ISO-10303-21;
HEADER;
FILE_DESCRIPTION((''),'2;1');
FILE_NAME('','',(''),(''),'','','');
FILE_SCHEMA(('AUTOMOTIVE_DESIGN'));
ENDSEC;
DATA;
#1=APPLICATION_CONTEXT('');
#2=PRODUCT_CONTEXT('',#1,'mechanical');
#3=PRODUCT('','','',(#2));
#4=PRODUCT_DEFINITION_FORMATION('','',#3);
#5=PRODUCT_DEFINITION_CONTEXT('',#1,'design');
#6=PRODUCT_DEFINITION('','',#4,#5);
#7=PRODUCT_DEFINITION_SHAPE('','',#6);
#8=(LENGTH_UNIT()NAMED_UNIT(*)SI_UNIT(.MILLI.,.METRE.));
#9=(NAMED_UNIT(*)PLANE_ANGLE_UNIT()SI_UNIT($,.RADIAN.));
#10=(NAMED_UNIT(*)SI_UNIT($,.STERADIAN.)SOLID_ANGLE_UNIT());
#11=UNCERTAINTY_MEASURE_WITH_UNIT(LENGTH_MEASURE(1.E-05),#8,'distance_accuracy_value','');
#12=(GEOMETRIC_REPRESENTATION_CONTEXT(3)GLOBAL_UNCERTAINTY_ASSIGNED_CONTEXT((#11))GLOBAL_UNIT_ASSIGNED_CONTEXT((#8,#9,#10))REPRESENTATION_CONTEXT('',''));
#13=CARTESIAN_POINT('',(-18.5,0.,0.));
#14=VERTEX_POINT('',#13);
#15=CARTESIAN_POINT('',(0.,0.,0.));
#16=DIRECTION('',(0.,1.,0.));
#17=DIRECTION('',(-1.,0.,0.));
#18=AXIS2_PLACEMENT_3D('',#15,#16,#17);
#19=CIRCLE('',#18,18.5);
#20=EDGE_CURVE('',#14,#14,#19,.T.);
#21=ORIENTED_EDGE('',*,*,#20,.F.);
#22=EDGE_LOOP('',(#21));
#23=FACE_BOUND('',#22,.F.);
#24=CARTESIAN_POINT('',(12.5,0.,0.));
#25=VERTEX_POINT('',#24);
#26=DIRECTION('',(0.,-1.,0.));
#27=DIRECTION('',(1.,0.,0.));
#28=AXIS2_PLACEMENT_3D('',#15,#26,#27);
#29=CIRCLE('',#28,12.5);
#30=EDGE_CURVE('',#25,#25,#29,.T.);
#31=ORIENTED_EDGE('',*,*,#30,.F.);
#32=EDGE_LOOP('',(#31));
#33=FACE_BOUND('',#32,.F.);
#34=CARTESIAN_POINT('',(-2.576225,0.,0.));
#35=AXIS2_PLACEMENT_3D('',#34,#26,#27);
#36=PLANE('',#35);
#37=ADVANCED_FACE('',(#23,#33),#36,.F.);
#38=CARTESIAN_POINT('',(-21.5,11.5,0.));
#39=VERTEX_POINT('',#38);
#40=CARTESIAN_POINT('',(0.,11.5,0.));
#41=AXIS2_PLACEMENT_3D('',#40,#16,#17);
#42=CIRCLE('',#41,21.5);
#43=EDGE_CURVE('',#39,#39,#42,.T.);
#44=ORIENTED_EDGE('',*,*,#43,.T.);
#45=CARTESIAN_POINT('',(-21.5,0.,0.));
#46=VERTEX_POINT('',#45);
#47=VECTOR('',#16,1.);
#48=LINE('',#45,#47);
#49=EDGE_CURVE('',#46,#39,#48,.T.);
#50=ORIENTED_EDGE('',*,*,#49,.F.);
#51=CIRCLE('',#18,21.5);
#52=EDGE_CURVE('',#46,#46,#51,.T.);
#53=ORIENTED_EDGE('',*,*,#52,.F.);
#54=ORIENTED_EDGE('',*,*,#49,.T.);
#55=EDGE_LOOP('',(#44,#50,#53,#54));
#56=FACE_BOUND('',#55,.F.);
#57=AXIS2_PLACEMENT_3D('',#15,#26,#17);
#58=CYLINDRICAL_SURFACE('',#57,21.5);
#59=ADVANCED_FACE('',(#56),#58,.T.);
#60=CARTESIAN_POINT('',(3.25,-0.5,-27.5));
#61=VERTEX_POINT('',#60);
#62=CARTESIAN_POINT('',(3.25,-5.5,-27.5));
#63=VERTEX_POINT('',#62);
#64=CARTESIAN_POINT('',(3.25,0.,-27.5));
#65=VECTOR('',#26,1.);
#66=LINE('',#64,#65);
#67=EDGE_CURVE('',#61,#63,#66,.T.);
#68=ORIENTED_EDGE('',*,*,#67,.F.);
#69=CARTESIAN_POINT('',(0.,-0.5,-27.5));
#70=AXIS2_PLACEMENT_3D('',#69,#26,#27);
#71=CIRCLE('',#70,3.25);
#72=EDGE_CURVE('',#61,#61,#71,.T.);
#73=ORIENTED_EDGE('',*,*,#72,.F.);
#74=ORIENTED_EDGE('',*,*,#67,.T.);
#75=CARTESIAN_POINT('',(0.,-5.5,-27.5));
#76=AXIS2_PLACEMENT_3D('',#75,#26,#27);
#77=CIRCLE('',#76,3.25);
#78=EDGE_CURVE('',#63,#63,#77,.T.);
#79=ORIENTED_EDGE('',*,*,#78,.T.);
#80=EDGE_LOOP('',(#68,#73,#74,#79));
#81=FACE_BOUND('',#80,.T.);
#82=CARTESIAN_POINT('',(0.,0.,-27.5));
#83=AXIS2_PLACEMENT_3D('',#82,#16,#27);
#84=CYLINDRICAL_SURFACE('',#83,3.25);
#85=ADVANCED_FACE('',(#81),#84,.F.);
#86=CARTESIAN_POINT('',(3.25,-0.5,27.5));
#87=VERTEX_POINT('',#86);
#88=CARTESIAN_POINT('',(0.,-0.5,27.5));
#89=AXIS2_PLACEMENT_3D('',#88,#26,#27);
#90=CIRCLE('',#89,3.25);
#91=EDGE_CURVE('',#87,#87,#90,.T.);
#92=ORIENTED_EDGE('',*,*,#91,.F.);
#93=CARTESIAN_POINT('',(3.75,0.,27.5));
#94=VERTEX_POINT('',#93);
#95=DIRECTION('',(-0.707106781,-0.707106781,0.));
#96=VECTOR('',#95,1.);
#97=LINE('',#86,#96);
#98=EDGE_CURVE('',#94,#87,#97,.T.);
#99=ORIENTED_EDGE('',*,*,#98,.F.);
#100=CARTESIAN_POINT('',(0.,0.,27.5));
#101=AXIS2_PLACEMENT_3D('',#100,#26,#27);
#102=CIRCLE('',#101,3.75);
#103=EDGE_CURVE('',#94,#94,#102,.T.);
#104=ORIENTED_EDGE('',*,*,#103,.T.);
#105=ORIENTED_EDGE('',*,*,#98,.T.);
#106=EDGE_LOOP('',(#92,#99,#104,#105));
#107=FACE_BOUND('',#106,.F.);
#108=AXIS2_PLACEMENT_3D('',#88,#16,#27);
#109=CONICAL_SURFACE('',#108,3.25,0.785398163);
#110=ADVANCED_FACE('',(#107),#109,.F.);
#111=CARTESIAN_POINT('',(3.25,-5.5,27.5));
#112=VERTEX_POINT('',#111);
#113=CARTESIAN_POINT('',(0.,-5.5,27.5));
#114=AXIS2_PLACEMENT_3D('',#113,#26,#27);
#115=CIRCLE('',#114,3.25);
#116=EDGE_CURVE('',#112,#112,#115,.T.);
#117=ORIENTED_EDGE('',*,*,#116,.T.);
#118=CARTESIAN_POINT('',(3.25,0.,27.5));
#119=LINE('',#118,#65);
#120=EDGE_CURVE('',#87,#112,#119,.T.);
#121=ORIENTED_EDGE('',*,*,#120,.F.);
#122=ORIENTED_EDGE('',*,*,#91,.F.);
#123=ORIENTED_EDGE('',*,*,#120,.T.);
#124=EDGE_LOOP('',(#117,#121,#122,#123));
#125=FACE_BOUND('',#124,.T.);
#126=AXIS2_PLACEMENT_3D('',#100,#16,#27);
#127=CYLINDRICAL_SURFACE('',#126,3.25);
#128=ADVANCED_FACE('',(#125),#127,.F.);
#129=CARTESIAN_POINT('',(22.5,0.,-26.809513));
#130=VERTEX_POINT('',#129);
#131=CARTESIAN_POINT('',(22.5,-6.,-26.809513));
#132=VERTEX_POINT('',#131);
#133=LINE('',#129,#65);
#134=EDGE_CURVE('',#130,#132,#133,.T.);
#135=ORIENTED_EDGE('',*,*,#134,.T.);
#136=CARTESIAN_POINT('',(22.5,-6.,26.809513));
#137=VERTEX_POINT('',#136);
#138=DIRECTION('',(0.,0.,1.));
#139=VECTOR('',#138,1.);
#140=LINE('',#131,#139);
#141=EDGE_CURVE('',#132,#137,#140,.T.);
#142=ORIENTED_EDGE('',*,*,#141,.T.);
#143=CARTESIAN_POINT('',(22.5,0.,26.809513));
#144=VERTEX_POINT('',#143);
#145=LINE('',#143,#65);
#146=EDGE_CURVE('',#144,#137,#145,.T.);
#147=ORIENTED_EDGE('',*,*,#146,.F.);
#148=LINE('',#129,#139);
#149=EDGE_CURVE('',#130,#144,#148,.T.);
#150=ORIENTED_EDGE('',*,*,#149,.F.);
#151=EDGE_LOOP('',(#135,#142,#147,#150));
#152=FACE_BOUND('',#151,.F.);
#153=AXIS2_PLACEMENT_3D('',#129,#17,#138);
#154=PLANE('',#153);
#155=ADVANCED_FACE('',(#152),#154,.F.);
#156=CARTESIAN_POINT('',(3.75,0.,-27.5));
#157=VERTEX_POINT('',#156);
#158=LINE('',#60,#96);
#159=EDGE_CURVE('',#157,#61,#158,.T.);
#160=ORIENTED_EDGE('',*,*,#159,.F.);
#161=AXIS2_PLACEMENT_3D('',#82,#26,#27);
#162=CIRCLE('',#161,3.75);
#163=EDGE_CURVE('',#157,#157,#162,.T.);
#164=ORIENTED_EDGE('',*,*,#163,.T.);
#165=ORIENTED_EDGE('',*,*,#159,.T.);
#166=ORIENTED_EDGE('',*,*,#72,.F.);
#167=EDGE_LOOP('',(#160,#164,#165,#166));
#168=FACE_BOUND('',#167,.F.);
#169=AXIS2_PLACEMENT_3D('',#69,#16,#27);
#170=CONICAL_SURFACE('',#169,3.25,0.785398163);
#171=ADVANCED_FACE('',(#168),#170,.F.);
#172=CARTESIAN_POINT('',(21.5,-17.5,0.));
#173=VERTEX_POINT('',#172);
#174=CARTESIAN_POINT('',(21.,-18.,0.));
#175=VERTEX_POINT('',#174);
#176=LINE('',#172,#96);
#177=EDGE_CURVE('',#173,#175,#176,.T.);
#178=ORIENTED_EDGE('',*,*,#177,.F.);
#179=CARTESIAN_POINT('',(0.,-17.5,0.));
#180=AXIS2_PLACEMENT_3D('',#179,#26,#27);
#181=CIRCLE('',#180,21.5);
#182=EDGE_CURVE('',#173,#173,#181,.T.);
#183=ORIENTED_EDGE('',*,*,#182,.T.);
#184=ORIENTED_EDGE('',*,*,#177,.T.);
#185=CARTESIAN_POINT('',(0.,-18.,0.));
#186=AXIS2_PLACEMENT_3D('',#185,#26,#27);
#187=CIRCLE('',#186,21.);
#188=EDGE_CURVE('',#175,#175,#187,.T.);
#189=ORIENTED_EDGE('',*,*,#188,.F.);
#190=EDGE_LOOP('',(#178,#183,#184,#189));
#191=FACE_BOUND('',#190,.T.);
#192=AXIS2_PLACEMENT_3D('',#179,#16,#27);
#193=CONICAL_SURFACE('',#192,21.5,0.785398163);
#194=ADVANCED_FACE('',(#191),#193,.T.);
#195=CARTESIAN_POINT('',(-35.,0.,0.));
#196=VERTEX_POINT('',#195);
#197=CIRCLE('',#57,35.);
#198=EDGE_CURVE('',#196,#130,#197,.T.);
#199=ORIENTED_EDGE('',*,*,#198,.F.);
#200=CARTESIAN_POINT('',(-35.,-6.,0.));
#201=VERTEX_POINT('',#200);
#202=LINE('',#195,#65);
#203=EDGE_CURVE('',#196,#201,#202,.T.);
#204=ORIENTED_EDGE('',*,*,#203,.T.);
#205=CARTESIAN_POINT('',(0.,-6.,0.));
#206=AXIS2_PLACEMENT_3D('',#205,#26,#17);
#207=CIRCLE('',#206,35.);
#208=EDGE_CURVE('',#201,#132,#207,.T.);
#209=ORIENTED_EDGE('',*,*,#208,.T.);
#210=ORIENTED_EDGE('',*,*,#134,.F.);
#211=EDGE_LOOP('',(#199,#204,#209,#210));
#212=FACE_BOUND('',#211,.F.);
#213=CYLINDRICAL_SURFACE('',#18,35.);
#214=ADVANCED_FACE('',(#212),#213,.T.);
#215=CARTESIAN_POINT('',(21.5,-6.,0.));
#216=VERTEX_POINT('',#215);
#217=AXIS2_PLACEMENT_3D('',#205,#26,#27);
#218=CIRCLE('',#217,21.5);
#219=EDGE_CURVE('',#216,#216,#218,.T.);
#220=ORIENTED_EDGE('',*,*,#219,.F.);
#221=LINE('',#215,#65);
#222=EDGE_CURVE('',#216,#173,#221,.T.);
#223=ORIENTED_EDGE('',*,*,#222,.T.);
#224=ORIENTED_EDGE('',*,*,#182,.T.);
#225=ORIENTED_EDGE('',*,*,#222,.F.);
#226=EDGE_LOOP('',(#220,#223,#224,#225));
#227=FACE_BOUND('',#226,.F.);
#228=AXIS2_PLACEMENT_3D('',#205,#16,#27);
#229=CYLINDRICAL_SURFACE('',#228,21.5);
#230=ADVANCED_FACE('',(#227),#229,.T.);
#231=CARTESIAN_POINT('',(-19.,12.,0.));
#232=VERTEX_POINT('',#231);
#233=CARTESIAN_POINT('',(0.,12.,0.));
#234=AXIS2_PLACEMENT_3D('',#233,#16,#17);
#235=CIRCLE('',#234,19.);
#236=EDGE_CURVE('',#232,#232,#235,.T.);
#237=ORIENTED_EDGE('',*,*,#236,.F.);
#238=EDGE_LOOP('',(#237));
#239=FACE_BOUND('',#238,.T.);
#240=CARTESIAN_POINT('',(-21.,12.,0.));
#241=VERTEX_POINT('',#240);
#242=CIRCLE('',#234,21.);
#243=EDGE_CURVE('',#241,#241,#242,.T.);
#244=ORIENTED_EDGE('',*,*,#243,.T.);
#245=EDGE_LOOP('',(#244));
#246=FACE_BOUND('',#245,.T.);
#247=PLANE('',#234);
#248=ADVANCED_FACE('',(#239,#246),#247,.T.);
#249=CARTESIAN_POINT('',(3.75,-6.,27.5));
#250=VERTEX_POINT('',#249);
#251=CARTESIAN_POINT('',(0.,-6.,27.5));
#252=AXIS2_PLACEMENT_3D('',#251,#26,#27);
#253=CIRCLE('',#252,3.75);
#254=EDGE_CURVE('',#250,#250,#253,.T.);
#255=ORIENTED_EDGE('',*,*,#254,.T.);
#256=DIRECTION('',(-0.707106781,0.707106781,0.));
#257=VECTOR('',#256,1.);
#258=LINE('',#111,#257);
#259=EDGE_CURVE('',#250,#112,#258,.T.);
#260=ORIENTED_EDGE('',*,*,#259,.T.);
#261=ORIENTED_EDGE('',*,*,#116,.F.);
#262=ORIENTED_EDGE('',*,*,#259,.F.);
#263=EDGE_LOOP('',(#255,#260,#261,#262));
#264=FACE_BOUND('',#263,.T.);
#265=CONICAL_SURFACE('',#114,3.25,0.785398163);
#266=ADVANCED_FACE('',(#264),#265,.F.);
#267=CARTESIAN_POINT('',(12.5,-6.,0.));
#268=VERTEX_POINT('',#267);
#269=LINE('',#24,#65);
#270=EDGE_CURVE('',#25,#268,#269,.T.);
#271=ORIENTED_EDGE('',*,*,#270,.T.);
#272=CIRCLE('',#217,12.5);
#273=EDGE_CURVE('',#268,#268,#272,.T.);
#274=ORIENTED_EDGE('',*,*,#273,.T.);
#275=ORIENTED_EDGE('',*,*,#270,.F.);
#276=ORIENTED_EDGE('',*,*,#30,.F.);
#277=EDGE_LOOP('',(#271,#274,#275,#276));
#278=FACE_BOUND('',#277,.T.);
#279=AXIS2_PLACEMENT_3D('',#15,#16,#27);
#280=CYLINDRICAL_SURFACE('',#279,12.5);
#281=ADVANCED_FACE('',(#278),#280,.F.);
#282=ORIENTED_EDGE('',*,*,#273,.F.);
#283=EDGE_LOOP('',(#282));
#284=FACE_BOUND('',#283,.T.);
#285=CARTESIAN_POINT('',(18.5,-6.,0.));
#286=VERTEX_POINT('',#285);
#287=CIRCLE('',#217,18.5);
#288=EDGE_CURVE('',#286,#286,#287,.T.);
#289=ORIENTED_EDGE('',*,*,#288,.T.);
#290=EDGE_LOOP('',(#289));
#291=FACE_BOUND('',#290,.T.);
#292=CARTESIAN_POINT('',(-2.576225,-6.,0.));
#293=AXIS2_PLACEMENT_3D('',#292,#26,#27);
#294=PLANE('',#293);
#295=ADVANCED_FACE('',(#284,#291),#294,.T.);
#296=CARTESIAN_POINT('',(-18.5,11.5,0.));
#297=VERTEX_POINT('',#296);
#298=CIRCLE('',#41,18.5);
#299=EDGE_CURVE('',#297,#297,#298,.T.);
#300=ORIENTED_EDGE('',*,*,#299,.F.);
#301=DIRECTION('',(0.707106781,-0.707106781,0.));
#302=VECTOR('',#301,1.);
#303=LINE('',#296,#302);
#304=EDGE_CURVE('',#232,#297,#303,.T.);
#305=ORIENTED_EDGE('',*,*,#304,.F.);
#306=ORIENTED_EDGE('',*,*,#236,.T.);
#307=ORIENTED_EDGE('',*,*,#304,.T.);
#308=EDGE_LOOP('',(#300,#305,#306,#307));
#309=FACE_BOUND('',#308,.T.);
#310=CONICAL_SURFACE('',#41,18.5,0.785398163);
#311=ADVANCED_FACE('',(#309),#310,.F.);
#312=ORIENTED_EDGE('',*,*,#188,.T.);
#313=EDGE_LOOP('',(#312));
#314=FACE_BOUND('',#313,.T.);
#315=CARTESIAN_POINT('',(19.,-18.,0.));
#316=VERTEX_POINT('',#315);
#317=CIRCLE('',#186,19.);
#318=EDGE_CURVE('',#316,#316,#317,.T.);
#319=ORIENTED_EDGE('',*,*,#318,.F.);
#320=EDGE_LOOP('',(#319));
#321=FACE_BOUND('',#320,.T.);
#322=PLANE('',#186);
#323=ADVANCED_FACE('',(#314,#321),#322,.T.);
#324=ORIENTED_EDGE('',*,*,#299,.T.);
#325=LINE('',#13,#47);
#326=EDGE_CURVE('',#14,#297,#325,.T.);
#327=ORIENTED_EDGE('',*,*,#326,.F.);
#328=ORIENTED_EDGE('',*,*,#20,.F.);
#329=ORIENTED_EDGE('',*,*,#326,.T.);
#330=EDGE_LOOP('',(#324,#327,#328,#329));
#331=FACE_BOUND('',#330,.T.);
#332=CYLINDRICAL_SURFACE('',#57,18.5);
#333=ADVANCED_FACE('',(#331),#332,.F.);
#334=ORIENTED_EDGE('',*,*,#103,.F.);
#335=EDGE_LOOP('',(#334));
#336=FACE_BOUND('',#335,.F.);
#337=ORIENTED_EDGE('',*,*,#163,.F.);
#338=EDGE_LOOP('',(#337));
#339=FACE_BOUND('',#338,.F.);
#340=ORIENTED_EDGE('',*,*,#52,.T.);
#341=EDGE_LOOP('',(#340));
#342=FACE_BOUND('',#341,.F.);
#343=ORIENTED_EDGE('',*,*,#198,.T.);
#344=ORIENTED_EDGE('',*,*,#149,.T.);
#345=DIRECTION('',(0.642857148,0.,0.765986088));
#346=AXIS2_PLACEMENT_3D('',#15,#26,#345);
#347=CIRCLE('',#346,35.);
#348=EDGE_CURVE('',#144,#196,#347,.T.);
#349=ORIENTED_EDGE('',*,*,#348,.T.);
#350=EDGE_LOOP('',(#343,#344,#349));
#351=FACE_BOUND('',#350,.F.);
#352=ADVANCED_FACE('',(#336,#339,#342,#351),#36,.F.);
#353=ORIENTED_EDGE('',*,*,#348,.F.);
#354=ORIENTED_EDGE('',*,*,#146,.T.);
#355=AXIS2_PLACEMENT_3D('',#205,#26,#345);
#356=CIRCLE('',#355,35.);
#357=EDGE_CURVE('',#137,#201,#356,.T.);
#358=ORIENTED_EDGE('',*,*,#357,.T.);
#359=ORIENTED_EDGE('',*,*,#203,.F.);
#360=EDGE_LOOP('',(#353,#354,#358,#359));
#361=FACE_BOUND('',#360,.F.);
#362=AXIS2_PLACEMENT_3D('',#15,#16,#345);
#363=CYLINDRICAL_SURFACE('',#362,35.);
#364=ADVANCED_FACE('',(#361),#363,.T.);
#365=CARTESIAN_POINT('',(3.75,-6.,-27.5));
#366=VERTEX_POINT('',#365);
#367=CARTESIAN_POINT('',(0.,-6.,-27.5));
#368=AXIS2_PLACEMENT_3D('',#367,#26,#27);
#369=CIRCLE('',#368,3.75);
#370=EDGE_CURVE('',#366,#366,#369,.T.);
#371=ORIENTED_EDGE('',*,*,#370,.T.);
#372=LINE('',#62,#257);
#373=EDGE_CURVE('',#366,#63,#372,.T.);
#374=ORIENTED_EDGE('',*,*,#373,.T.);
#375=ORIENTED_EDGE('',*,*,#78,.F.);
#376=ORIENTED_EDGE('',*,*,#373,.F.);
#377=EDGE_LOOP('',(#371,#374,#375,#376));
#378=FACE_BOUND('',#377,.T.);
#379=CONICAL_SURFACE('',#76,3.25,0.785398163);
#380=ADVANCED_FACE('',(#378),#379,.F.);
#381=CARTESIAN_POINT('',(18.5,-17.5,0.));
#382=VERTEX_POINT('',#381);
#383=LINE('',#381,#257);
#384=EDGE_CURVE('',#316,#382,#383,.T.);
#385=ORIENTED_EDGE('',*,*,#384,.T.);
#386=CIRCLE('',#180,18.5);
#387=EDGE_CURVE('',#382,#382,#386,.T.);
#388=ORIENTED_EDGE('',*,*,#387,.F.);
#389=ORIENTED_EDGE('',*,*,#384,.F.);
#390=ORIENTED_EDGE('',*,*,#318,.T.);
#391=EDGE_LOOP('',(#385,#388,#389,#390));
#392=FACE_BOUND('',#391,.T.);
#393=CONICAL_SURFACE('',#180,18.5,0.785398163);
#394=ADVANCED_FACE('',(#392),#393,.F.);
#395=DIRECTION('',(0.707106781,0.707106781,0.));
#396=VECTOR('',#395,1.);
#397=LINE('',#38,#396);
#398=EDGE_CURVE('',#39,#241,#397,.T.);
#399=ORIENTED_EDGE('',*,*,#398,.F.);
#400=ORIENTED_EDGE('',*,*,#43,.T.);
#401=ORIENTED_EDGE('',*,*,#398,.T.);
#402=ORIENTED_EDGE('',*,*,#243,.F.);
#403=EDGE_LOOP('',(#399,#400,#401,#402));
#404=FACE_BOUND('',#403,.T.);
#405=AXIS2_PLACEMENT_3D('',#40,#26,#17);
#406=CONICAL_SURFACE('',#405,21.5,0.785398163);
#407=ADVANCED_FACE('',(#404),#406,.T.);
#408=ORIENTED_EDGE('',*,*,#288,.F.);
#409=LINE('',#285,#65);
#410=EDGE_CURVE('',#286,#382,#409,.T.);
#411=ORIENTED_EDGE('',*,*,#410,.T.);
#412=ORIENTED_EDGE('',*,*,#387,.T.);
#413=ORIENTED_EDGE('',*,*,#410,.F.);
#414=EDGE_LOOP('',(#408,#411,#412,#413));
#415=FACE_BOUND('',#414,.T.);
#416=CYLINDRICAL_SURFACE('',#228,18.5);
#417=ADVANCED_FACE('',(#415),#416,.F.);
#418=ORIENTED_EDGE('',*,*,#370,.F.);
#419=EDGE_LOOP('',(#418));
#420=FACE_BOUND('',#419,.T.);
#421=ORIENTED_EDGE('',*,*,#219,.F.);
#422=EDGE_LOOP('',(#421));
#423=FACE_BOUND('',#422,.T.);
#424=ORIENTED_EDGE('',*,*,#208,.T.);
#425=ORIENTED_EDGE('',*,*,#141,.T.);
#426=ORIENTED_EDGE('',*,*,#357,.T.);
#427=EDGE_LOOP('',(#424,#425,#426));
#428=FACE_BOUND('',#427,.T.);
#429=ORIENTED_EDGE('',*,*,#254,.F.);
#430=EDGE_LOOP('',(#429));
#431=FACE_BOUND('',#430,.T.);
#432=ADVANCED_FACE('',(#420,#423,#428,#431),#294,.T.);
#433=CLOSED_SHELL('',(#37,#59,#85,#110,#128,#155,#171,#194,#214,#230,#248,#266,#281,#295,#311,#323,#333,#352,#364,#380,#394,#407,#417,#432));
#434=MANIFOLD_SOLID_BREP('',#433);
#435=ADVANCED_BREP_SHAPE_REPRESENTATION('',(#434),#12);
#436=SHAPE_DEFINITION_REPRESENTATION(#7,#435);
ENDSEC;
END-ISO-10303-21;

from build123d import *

# Parameters (mm, degrees)
F0_R     = 3.25
F0_R_2   = 12.5
F1_DEPTH = 6
F2_R     = 21.5
F2_R_2   = 18.5
F3_DEPTH = 12
F4_R     = 21.5
F4_R_2   = 18.5
F5_DEPTH = 12
F6_SIZE  = 0.5


with BuildPart() as f1:
    # F0 (on Front) → F1 (new body)
    with BuildSketch(Plane.XZ):
        with BuildLine():
            Line((22.5, -26.809513), (22.5, 26.809513))
            ThreePointArc((22.5, 26.809513), (-14.790199, 31.721444), (-35, 0))
            ThreePointArc((-35, 0), (-14.790199, -31.721444), (22.5, -26.809513))
        make_face()
        with Locations((0, -27.5)):
            Circle(F0_R, mode=Mode.SUBTRACT)
        Circle(F0_R_2, mode=Mode.SUBTRACT)
        with Locations((0, 27.5)):
            Circle(F0_R, mode=Mode.SUBTRACT)
    extrude(amount=F1_DEPTH)

    # F2 (on face) → F3 (join)
    with BuildSketch(Plane.XZ.offset(6)):
        Circle(F2_R)
        Circle(F2_R_2, mode=Mode.SUBTRACT)
    extrude(amount=F3_DEPTH)

    # F4 (on face) → F5 (join)
    with BuildSketch(Plane(origin=(0, 0, 0), x_dir=(-1, 0, 0), z_dir=(0, 1, 0))):
        Circle(F4_R)
        Circle(F4_R_2, mode=Mode.SUBTRACT)
    extrude(amount=F5_DEPTH)

    # F6
    f6_edges = [f1.edges().sort_by_distance(p)[0] for p in [
        (-3.25, -6, 27.5),
        (-3.25, 0, 27.5),
        (-3.25, -6, -27.5),
        (-3.25, 0, -27.5),
        (18.5, 12, 0),
        (21.5, 12, 0),
        (-21.5, -18, 0),
        (-18.5, -18, 0),
    ]]
    chamfer(f6_edges, length=F6_SIZE)


solid = f1.part
